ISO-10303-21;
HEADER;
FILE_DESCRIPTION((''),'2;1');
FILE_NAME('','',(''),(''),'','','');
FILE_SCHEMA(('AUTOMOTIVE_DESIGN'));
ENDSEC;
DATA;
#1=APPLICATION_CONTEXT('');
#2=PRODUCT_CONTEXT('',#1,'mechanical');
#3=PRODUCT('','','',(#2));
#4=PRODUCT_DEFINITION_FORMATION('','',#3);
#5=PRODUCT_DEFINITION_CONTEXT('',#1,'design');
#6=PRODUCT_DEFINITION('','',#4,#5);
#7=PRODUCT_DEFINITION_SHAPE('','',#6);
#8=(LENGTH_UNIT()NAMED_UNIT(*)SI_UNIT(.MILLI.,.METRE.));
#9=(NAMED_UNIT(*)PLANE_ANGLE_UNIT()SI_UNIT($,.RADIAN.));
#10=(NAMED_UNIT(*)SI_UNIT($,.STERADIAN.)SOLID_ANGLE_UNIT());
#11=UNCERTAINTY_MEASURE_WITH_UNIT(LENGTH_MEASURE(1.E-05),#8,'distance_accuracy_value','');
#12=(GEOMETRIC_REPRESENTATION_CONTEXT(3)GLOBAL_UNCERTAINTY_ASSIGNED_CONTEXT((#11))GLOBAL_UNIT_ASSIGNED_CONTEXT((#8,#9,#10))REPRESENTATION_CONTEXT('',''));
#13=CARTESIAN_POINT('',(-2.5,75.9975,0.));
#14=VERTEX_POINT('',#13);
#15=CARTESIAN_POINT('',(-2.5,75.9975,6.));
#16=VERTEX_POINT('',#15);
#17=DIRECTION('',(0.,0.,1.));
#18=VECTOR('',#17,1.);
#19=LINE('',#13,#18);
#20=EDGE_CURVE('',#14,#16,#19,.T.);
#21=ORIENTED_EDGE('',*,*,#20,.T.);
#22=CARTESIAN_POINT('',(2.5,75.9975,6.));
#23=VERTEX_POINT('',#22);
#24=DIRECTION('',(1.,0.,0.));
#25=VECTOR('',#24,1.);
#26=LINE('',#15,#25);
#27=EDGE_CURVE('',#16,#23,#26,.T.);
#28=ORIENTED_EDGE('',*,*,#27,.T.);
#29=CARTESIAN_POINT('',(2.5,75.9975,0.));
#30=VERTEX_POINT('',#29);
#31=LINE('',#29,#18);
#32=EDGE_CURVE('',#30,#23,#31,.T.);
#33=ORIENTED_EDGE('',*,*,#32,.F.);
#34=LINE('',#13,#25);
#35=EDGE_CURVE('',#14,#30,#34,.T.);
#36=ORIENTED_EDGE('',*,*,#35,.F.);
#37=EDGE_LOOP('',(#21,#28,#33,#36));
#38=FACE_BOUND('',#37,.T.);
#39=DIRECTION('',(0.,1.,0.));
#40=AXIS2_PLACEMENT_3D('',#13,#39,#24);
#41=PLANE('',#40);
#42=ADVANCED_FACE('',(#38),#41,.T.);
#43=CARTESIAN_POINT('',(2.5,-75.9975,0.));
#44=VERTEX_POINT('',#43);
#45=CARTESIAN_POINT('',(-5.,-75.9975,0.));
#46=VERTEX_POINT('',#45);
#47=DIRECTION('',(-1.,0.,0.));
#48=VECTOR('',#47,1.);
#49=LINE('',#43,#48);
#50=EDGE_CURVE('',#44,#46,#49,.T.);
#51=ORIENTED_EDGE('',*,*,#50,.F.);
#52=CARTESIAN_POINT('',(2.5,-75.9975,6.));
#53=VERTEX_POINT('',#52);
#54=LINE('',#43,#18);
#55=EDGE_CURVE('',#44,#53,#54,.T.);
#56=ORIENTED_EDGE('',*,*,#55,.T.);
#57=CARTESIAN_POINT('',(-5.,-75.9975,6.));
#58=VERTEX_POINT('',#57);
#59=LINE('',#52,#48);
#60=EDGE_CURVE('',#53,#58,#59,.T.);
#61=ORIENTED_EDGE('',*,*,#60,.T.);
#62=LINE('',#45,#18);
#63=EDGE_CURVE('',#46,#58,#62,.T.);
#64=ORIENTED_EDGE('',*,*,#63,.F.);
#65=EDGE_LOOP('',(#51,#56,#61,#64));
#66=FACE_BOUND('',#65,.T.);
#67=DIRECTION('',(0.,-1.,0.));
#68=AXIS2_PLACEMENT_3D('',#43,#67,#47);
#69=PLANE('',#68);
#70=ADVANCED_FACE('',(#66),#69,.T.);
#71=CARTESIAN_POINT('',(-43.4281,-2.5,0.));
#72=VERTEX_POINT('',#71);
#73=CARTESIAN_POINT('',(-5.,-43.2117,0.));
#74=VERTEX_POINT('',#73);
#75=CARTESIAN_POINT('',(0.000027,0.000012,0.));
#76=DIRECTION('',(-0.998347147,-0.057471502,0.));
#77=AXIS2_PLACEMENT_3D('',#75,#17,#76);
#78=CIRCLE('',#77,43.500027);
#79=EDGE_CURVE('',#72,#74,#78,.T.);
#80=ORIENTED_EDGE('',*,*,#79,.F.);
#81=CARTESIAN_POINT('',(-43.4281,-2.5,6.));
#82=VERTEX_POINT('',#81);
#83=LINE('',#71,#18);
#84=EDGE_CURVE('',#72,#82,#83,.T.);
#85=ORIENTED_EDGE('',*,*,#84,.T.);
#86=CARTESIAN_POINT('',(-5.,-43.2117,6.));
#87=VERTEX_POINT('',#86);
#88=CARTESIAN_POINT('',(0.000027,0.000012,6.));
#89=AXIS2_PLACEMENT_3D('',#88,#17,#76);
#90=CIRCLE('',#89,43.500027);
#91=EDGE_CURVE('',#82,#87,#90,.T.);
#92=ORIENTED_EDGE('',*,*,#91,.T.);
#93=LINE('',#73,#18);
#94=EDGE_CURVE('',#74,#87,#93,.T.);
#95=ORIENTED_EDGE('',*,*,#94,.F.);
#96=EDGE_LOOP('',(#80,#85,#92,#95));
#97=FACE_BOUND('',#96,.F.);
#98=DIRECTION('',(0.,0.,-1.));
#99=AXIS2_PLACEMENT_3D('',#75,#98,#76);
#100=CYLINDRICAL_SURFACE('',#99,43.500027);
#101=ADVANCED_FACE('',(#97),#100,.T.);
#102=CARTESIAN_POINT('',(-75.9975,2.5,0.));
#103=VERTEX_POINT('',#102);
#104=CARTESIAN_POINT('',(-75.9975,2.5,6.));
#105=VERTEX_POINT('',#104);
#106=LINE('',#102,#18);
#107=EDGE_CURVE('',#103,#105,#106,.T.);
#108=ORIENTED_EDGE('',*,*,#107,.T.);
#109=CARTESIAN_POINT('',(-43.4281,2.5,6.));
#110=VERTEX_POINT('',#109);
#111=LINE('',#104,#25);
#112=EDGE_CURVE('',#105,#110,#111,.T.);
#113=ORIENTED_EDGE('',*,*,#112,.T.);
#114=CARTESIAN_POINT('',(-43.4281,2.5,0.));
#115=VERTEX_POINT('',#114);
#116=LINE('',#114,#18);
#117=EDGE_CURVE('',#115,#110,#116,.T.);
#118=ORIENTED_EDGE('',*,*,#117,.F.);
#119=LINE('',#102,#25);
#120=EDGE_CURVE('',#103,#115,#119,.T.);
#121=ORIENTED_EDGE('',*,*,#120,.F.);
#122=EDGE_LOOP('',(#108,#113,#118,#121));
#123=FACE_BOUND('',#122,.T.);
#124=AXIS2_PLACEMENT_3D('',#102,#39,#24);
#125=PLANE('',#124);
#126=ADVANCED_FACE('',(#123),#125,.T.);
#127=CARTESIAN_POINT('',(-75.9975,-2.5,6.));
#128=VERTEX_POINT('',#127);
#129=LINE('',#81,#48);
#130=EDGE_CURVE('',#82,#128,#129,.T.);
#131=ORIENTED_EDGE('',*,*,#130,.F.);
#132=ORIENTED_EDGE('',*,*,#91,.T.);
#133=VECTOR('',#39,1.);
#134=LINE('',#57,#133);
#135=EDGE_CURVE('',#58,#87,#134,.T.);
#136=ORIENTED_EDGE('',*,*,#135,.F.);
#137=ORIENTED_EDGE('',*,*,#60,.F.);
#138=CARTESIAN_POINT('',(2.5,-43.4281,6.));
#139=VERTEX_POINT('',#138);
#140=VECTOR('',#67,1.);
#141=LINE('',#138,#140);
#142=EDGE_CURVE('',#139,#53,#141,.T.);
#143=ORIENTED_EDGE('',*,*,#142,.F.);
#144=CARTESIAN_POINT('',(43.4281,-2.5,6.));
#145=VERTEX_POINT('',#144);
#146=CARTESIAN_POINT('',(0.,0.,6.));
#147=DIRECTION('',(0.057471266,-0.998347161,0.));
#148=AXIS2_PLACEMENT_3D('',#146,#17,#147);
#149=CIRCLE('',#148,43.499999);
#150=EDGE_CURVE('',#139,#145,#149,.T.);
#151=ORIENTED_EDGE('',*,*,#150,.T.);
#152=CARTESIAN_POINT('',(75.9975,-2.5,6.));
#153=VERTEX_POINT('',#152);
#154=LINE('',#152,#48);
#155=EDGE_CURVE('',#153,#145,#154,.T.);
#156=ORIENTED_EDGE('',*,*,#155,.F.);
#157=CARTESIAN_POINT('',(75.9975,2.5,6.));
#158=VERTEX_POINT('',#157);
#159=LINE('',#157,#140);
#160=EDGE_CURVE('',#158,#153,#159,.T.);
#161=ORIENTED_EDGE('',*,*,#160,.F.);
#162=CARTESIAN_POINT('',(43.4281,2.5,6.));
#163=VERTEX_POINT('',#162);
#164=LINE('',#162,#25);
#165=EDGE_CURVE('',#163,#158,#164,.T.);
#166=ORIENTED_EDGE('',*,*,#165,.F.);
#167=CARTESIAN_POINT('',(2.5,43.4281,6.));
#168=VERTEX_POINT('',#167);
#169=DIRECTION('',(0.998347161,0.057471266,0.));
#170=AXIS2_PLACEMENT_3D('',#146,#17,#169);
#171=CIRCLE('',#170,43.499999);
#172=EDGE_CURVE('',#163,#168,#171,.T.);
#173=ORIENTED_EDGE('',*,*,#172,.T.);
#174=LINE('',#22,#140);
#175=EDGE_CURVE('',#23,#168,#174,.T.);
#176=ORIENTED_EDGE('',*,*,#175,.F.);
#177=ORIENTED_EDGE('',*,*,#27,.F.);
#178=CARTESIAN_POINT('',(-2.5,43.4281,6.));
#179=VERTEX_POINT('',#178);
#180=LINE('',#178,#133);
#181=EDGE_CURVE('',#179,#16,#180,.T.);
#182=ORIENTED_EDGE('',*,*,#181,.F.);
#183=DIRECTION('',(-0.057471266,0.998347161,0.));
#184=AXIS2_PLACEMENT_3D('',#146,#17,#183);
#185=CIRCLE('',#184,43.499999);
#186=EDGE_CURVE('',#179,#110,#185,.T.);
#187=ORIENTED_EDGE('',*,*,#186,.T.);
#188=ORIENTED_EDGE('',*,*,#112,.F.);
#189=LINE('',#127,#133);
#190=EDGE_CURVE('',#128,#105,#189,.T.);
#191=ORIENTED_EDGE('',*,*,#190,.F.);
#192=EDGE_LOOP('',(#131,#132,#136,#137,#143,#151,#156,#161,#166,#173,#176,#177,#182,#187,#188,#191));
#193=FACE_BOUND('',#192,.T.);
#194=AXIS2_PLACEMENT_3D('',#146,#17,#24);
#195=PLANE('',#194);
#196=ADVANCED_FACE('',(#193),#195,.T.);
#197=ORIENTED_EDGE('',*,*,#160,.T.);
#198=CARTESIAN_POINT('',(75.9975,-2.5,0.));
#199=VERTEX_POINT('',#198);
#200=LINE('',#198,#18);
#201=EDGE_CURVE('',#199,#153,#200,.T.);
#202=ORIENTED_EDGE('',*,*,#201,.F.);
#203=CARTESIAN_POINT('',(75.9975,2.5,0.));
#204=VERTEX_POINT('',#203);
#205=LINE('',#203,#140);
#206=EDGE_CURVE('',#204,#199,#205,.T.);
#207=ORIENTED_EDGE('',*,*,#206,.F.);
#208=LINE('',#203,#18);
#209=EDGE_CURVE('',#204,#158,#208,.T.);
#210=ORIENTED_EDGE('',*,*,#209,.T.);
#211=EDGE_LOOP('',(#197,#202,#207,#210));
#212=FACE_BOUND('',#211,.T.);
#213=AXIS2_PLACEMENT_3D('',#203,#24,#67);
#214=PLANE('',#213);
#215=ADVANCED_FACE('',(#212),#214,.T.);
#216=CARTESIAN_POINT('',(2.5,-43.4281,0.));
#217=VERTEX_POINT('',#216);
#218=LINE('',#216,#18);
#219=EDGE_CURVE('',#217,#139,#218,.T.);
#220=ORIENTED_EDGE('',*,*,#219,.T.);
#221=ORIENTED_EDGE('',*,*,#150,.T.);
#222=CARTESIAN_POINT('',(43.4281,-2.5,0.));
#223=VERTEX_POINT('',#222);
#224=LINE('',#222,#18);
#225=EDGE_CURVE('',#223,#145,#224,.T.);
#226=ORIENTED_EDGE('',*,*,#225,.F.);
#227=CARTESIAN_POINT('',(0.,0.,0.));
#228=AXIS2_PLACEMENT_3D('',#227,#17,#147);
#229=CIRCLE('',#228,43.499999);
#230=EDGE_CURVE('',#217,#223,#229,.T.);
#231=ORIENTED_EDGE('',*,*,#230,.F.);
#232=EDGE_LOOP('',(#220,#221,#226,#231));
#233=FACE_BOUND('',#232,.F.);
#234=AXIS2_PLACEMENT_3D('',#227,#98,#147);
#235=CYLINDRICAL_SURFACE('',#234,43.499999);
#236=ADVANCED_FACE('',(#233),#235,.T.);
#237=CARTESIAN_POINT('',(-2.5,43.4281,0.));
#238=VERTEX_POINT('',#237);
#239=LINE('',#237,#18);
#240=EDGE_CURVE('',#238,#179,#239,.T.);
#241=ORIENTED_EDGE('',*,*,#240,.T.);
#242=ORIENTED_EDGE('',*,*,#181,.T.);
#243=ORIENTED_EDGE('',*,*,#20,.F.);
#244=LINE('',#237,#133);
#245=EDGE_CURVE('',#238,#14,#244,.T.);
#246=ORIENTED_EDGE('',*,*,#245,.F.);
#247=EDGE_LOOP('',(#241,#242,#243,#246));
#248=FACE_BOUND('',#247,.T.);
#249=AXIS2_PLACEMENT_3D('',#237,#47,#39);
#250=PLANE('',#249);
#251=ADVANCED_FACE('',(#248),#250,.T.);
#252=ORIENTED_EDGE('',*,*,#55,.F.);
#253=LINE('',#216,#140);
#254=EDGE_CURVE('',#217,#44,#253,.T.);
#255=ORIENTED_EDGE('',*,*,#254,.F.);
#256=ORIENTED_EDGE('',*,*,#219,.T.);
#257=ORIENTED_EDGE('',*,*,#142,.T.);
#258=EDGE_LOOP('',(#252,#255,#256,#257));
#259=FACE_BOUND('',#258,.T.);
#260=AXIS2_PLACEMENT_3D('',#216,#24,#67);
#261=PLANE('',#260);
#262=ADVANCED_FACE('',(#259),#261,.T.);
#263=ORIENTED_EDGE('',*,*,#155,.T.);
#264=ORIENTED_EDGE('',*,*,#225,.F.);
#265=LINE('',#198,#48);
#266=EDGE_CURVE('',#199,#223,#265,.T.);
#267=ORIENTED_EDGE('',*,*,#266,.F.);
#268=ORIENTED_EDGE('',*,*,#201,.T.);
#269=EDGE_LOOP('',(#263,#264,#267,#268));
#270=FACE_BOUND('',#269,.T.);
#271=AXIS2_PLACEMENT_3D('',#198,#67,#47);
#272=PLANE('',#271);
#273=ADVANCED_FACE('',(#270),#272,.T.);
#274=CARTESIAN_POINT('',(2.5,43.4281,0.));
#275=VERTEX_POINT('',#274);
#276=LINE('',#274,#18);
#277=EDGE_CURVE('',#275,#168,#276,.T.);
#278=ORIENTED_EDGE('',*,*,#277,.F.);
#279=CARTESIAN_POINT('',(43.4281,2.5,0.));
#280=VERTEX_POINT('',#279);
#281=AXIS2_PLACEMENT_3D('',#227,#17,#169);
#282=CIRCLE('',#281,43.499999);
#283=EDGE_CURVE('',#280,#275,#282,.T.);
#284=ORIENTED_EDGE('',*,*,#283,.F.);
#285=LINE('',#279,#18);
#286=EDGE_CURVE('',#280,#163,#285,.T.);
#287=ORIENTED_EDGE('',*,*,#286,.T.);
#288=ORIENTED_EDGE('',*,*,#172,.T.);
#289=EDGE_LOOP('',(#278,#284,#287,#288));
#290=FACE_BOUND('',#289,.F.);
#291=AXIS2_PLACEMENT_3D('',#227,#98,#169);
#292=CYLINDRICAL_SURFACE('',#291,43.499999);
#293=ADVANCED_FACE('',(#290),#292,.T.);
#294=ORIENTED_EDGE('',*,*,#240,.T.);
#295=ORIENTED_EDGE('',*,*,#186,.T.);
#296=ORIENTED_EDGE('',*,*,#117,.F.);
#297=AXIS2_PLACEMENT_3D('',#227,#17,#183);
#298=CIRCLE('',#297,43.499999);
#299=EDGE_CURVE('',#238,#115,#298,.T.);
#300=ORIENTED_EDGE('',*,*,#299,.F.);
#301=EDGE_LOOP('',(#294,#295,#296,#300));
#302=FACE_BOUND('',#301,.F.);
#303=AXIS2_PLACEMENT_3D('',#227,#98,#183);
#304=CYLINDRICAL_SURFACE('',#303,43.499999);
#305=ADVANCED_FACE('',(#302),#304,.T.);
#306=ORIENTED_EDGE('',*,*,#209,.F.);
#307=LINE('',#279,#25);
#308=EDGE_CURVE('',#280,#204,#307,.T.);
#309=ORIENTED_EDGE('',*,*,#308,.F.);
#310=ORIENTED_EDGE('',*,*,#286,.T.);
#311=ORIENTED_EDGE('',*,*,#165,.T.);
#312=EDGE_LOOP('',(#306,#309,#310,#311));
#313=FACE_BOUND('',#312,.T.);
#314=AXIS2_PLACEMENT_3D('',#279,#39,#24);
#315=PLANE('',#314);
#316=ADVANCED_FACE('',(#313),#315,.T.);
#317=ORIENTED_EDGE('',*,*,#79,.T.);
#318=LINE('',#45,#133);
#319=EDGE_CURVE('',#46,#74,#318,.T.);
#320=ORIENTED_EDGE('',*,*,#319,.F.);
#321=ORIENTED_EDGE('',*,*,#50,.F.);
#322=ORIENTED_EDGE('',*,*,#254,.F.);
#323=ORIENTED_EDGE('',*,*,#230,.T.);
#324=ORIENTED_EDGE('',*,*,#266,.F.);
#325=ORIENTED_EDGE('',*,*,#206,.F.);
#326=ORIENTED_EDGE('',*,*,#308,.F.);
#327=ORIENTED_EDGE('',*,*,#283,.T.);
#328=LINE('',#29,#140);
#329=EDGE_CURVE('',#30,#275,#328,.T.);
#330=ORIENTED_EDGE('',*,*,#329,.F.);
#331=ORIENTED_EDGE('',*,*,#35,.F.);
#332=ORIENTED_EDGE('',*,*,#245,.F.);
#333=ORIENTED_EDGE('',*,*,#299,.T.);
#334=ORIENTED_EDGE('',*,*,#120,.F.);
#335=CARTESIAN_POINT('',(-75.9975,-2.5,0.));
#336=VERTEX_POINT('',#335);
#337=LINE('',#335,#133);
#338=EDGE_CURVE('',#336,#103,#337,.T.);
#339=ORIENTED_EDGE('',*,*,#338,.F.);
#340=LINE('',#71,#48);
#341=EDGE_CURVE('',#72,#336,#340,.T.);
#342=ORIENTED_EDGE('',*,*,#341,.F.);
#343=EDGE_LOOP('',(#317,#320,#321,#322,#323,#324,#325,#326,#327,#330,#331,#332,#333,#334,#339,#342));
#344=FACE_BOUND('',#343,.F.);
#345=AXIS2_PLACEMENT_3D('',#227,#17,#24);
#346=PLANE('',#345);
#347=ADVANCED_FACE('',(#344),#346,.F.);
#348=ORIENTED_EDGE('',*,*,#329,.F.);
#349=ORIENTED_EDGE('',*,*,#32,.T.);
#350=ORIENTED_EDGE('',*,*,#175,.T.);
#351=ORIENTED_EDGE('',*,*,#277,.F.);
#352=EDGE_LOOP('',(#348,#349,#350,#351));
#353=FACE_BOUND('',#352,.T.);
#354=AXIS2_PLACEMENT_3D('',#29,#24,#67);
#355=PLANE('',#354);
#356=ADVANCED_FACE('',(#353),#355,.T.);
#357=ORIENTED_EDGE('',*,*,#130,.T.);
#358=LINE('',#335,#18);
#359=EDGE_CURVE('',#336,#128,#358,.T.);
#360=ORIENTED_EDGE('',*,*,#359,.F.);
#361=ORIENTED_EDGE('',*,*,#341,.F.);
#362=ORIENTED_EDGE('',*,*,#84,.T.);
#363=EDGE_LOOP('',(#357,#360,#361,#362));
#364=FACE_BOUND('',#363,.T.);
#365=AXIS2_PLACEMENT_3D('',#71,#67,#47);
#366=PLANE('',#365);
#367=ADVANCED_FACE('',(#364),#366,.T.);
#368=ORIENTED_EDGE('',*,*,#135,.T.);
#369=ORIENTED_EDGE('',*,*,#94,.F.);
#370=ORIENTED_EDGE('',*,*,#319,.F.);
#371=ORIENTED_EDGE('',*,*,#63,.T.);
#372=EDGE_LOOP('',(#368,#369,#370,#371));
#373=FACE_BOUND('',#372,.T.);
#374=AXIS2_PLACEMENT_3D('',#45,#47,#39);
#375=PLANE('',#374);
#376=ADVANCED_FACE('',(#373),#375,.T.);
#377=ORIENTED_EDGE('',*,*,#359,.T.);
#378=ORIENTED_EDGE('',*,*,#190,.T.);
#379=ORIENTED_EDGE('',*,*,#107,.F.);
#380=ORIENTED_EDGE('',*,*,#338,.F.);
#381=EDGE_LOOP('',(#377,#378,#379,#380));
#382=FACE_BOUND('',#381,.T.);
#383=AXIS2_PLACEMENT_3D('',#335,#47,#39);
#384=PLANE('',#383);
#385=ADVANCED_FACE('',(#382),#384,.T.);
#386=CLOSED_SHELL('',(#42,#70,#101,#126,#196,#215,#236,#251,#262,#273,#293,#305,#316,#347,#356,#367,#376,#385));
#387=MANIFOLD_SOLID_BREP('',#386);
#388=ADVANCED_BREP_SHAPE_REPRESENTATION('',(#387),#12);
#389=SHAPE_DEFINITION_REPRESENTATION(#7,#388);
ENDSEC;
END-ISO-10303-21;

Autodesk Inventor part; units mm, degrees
ref_plane "YZ Plane" through (0, 0, 0) normal (1, 0, 0) x (0, 1, 0)
ref_plane "XZ Plane" through (0, 0, 0) normal (0, 1, 0) x (-1, 0, 0)
ref_plane "XY Plane" through (0, 0, 0) normal (0, 0, 1) x (1, 0, 0)
sketch "Szkic1" plane through (0, 0, 0) normal (0, 0, 1) x (1, 0, 0)
  circle A0 centre (0, 0) radius 43.5 construction
  line L0 (0, 43.5) -> (2.5, 43.5) construction
  line L1 (2.5, 43.5) -> (2.5, 75.9975) construction
  line L2 (2.5, 75.9975) -> (0, 75.9975) construction
  line L3 (0, 75.9975) -> (0, 43.5) construction
  line L4 (0, -43.5) -> (2.5, -43.5) construction
  line L5 (2.5, -43.5) -> (2.5, -75.9975) construction
  line L6 (2.5, -75.9975) -> (0, -75.9975) construction
  line L7 (43.5, 0) -> (75.9975, 0) construction
  line L8 (75.9975, 0) -> (75.9975, 2.5) construction
  line L9 (75.9975, 2.5) -> (43.5, 2.5) construction
  line L10 (43.5, 2.5) -> (43.5, 0) construction
  line L11 (43.5, 0) -> (75.9975, 0) construction
  line L12 (75.9975, 0) -> (75.9975, -2.5) construction
  line L13 (75.9975, -2.5) -> (43.5, -2.5) construction
  line L14 (43.5, -2.5) -> (43.5, 0) construction
  line L15 (0, 43.5) -> (-2.5, 43.5) construction
  line L16 (-2.5, 43.5) -> (-2.5, 75.9975) construction
  line L17 (-2.5, 75.9975) -> (0, 75.9975) construction
  line L18 (0, 75.9975) -> (0, 43.5) construction
  line L19 (0, -43.5) -> (-5, -43.5) construction
  line L20 (-5, -43.5) -> (-5, -75.9975) construction
  line L21 (-5, -75.9975) -> (-2.5, -75.9975) construction
  line L22 (-43.5, 0) -> (-75.9975, 0) construction
  line L23 (-75.9975, 0) -> (-75.9975, -2.5) construction
  line L24 (-75.9975, -2.5) -> (-43.5, -2.5) construction
  line L25 (-43.5, -2.5) -> (-43.5, 0) construction
  line L26 (-43.5, 0) -> (-75.9975, 0) construction
  line L27 (-75.9975, 0) -> (-75.9975, 2.5) construction
  line L28 (-75.9975, 2.5) -> (-43.5, 2.5) construction
  line L29 (-43.5, 2.5) -> (-43.5, 0) construction
  arc A1 (2.5, -43.4281) -> (43.4281, -2.5) centre (0, 0) ccw
  arc A2 (43.4281, 2.5) -> (2.5, 43.4281) centre (0, 0) ccw
  arc A3 (-43.4281, -2.5) -> (-5, -43.2117) centre (0, 0) ccw
  arc A4 (-2.5, 43.4281) -> (-43.4281, 2.5) centre (0, 0) ccw
  line L30 (-2.5, 43.4281) -> (-2.5, 75.9975)
  line L31 (-2.5, 75.9975) -> (2.5, 75.9975)
  line L32 (2.5, 75.9975) -> (2.5, 43.4281)
  line L33 (43.4281, 2.5) -> (75.9975, 2.5)
  line L34 (75.9975, 2.5) -> (75.9975, -2.5)
  line L35 (75.9975, -2.5) -> (43.4281, -2.5)
  line L36 (2.5, -43.4281) -> (2.5, -75.9975)
  line L37 (2.5, -75.9975) -> (-5, -75.9975)
  line L38 (-5, -75.9975) -> (-5, -43.2117)
  line L39 (-43.4281, -2.5) -> (-75.9975, -2.5)
  line L40 (-75.9975, -2.5) -> (-75.9975, 2.5)
  line L41 (-75.9975, 2.5) -> (-43.4281, 2.5)
  dimension "d0" = 87
  dimension "d1" = 2.5
  dimension "d3" = 2.5
  dimension "d6" = 2.5
  dimension "d7" = 2.5
  dimension "d8" = 2.5
  dimension "d9" = 2.5
  dimension "d11" = 2.5
  dimension "d12" = 2.5
  dimension "d15" = 75.9975
  dimension "d16" = 75.9975
  dimension "d17" = 75.9975
  dimension "d19" = 75.9975
extrude "Wyciągnięcie proste1" add sketch "Szkic1" along normal blind 6
equation "\"d1\" = d11"
equation "\"d3\" = d11"
equation "\"d6\" = d11"
equation "\"d7\" = d11"
equation "\"d8\" = d11"
equation "\"d9\" = d11"
equation "\"d12\" = d11"
equation "\"d16\" = d15"
equation "\"d17\" = d15"
equation "\"d19\" = d15"
properties part number "Zamek_II_klucz"
